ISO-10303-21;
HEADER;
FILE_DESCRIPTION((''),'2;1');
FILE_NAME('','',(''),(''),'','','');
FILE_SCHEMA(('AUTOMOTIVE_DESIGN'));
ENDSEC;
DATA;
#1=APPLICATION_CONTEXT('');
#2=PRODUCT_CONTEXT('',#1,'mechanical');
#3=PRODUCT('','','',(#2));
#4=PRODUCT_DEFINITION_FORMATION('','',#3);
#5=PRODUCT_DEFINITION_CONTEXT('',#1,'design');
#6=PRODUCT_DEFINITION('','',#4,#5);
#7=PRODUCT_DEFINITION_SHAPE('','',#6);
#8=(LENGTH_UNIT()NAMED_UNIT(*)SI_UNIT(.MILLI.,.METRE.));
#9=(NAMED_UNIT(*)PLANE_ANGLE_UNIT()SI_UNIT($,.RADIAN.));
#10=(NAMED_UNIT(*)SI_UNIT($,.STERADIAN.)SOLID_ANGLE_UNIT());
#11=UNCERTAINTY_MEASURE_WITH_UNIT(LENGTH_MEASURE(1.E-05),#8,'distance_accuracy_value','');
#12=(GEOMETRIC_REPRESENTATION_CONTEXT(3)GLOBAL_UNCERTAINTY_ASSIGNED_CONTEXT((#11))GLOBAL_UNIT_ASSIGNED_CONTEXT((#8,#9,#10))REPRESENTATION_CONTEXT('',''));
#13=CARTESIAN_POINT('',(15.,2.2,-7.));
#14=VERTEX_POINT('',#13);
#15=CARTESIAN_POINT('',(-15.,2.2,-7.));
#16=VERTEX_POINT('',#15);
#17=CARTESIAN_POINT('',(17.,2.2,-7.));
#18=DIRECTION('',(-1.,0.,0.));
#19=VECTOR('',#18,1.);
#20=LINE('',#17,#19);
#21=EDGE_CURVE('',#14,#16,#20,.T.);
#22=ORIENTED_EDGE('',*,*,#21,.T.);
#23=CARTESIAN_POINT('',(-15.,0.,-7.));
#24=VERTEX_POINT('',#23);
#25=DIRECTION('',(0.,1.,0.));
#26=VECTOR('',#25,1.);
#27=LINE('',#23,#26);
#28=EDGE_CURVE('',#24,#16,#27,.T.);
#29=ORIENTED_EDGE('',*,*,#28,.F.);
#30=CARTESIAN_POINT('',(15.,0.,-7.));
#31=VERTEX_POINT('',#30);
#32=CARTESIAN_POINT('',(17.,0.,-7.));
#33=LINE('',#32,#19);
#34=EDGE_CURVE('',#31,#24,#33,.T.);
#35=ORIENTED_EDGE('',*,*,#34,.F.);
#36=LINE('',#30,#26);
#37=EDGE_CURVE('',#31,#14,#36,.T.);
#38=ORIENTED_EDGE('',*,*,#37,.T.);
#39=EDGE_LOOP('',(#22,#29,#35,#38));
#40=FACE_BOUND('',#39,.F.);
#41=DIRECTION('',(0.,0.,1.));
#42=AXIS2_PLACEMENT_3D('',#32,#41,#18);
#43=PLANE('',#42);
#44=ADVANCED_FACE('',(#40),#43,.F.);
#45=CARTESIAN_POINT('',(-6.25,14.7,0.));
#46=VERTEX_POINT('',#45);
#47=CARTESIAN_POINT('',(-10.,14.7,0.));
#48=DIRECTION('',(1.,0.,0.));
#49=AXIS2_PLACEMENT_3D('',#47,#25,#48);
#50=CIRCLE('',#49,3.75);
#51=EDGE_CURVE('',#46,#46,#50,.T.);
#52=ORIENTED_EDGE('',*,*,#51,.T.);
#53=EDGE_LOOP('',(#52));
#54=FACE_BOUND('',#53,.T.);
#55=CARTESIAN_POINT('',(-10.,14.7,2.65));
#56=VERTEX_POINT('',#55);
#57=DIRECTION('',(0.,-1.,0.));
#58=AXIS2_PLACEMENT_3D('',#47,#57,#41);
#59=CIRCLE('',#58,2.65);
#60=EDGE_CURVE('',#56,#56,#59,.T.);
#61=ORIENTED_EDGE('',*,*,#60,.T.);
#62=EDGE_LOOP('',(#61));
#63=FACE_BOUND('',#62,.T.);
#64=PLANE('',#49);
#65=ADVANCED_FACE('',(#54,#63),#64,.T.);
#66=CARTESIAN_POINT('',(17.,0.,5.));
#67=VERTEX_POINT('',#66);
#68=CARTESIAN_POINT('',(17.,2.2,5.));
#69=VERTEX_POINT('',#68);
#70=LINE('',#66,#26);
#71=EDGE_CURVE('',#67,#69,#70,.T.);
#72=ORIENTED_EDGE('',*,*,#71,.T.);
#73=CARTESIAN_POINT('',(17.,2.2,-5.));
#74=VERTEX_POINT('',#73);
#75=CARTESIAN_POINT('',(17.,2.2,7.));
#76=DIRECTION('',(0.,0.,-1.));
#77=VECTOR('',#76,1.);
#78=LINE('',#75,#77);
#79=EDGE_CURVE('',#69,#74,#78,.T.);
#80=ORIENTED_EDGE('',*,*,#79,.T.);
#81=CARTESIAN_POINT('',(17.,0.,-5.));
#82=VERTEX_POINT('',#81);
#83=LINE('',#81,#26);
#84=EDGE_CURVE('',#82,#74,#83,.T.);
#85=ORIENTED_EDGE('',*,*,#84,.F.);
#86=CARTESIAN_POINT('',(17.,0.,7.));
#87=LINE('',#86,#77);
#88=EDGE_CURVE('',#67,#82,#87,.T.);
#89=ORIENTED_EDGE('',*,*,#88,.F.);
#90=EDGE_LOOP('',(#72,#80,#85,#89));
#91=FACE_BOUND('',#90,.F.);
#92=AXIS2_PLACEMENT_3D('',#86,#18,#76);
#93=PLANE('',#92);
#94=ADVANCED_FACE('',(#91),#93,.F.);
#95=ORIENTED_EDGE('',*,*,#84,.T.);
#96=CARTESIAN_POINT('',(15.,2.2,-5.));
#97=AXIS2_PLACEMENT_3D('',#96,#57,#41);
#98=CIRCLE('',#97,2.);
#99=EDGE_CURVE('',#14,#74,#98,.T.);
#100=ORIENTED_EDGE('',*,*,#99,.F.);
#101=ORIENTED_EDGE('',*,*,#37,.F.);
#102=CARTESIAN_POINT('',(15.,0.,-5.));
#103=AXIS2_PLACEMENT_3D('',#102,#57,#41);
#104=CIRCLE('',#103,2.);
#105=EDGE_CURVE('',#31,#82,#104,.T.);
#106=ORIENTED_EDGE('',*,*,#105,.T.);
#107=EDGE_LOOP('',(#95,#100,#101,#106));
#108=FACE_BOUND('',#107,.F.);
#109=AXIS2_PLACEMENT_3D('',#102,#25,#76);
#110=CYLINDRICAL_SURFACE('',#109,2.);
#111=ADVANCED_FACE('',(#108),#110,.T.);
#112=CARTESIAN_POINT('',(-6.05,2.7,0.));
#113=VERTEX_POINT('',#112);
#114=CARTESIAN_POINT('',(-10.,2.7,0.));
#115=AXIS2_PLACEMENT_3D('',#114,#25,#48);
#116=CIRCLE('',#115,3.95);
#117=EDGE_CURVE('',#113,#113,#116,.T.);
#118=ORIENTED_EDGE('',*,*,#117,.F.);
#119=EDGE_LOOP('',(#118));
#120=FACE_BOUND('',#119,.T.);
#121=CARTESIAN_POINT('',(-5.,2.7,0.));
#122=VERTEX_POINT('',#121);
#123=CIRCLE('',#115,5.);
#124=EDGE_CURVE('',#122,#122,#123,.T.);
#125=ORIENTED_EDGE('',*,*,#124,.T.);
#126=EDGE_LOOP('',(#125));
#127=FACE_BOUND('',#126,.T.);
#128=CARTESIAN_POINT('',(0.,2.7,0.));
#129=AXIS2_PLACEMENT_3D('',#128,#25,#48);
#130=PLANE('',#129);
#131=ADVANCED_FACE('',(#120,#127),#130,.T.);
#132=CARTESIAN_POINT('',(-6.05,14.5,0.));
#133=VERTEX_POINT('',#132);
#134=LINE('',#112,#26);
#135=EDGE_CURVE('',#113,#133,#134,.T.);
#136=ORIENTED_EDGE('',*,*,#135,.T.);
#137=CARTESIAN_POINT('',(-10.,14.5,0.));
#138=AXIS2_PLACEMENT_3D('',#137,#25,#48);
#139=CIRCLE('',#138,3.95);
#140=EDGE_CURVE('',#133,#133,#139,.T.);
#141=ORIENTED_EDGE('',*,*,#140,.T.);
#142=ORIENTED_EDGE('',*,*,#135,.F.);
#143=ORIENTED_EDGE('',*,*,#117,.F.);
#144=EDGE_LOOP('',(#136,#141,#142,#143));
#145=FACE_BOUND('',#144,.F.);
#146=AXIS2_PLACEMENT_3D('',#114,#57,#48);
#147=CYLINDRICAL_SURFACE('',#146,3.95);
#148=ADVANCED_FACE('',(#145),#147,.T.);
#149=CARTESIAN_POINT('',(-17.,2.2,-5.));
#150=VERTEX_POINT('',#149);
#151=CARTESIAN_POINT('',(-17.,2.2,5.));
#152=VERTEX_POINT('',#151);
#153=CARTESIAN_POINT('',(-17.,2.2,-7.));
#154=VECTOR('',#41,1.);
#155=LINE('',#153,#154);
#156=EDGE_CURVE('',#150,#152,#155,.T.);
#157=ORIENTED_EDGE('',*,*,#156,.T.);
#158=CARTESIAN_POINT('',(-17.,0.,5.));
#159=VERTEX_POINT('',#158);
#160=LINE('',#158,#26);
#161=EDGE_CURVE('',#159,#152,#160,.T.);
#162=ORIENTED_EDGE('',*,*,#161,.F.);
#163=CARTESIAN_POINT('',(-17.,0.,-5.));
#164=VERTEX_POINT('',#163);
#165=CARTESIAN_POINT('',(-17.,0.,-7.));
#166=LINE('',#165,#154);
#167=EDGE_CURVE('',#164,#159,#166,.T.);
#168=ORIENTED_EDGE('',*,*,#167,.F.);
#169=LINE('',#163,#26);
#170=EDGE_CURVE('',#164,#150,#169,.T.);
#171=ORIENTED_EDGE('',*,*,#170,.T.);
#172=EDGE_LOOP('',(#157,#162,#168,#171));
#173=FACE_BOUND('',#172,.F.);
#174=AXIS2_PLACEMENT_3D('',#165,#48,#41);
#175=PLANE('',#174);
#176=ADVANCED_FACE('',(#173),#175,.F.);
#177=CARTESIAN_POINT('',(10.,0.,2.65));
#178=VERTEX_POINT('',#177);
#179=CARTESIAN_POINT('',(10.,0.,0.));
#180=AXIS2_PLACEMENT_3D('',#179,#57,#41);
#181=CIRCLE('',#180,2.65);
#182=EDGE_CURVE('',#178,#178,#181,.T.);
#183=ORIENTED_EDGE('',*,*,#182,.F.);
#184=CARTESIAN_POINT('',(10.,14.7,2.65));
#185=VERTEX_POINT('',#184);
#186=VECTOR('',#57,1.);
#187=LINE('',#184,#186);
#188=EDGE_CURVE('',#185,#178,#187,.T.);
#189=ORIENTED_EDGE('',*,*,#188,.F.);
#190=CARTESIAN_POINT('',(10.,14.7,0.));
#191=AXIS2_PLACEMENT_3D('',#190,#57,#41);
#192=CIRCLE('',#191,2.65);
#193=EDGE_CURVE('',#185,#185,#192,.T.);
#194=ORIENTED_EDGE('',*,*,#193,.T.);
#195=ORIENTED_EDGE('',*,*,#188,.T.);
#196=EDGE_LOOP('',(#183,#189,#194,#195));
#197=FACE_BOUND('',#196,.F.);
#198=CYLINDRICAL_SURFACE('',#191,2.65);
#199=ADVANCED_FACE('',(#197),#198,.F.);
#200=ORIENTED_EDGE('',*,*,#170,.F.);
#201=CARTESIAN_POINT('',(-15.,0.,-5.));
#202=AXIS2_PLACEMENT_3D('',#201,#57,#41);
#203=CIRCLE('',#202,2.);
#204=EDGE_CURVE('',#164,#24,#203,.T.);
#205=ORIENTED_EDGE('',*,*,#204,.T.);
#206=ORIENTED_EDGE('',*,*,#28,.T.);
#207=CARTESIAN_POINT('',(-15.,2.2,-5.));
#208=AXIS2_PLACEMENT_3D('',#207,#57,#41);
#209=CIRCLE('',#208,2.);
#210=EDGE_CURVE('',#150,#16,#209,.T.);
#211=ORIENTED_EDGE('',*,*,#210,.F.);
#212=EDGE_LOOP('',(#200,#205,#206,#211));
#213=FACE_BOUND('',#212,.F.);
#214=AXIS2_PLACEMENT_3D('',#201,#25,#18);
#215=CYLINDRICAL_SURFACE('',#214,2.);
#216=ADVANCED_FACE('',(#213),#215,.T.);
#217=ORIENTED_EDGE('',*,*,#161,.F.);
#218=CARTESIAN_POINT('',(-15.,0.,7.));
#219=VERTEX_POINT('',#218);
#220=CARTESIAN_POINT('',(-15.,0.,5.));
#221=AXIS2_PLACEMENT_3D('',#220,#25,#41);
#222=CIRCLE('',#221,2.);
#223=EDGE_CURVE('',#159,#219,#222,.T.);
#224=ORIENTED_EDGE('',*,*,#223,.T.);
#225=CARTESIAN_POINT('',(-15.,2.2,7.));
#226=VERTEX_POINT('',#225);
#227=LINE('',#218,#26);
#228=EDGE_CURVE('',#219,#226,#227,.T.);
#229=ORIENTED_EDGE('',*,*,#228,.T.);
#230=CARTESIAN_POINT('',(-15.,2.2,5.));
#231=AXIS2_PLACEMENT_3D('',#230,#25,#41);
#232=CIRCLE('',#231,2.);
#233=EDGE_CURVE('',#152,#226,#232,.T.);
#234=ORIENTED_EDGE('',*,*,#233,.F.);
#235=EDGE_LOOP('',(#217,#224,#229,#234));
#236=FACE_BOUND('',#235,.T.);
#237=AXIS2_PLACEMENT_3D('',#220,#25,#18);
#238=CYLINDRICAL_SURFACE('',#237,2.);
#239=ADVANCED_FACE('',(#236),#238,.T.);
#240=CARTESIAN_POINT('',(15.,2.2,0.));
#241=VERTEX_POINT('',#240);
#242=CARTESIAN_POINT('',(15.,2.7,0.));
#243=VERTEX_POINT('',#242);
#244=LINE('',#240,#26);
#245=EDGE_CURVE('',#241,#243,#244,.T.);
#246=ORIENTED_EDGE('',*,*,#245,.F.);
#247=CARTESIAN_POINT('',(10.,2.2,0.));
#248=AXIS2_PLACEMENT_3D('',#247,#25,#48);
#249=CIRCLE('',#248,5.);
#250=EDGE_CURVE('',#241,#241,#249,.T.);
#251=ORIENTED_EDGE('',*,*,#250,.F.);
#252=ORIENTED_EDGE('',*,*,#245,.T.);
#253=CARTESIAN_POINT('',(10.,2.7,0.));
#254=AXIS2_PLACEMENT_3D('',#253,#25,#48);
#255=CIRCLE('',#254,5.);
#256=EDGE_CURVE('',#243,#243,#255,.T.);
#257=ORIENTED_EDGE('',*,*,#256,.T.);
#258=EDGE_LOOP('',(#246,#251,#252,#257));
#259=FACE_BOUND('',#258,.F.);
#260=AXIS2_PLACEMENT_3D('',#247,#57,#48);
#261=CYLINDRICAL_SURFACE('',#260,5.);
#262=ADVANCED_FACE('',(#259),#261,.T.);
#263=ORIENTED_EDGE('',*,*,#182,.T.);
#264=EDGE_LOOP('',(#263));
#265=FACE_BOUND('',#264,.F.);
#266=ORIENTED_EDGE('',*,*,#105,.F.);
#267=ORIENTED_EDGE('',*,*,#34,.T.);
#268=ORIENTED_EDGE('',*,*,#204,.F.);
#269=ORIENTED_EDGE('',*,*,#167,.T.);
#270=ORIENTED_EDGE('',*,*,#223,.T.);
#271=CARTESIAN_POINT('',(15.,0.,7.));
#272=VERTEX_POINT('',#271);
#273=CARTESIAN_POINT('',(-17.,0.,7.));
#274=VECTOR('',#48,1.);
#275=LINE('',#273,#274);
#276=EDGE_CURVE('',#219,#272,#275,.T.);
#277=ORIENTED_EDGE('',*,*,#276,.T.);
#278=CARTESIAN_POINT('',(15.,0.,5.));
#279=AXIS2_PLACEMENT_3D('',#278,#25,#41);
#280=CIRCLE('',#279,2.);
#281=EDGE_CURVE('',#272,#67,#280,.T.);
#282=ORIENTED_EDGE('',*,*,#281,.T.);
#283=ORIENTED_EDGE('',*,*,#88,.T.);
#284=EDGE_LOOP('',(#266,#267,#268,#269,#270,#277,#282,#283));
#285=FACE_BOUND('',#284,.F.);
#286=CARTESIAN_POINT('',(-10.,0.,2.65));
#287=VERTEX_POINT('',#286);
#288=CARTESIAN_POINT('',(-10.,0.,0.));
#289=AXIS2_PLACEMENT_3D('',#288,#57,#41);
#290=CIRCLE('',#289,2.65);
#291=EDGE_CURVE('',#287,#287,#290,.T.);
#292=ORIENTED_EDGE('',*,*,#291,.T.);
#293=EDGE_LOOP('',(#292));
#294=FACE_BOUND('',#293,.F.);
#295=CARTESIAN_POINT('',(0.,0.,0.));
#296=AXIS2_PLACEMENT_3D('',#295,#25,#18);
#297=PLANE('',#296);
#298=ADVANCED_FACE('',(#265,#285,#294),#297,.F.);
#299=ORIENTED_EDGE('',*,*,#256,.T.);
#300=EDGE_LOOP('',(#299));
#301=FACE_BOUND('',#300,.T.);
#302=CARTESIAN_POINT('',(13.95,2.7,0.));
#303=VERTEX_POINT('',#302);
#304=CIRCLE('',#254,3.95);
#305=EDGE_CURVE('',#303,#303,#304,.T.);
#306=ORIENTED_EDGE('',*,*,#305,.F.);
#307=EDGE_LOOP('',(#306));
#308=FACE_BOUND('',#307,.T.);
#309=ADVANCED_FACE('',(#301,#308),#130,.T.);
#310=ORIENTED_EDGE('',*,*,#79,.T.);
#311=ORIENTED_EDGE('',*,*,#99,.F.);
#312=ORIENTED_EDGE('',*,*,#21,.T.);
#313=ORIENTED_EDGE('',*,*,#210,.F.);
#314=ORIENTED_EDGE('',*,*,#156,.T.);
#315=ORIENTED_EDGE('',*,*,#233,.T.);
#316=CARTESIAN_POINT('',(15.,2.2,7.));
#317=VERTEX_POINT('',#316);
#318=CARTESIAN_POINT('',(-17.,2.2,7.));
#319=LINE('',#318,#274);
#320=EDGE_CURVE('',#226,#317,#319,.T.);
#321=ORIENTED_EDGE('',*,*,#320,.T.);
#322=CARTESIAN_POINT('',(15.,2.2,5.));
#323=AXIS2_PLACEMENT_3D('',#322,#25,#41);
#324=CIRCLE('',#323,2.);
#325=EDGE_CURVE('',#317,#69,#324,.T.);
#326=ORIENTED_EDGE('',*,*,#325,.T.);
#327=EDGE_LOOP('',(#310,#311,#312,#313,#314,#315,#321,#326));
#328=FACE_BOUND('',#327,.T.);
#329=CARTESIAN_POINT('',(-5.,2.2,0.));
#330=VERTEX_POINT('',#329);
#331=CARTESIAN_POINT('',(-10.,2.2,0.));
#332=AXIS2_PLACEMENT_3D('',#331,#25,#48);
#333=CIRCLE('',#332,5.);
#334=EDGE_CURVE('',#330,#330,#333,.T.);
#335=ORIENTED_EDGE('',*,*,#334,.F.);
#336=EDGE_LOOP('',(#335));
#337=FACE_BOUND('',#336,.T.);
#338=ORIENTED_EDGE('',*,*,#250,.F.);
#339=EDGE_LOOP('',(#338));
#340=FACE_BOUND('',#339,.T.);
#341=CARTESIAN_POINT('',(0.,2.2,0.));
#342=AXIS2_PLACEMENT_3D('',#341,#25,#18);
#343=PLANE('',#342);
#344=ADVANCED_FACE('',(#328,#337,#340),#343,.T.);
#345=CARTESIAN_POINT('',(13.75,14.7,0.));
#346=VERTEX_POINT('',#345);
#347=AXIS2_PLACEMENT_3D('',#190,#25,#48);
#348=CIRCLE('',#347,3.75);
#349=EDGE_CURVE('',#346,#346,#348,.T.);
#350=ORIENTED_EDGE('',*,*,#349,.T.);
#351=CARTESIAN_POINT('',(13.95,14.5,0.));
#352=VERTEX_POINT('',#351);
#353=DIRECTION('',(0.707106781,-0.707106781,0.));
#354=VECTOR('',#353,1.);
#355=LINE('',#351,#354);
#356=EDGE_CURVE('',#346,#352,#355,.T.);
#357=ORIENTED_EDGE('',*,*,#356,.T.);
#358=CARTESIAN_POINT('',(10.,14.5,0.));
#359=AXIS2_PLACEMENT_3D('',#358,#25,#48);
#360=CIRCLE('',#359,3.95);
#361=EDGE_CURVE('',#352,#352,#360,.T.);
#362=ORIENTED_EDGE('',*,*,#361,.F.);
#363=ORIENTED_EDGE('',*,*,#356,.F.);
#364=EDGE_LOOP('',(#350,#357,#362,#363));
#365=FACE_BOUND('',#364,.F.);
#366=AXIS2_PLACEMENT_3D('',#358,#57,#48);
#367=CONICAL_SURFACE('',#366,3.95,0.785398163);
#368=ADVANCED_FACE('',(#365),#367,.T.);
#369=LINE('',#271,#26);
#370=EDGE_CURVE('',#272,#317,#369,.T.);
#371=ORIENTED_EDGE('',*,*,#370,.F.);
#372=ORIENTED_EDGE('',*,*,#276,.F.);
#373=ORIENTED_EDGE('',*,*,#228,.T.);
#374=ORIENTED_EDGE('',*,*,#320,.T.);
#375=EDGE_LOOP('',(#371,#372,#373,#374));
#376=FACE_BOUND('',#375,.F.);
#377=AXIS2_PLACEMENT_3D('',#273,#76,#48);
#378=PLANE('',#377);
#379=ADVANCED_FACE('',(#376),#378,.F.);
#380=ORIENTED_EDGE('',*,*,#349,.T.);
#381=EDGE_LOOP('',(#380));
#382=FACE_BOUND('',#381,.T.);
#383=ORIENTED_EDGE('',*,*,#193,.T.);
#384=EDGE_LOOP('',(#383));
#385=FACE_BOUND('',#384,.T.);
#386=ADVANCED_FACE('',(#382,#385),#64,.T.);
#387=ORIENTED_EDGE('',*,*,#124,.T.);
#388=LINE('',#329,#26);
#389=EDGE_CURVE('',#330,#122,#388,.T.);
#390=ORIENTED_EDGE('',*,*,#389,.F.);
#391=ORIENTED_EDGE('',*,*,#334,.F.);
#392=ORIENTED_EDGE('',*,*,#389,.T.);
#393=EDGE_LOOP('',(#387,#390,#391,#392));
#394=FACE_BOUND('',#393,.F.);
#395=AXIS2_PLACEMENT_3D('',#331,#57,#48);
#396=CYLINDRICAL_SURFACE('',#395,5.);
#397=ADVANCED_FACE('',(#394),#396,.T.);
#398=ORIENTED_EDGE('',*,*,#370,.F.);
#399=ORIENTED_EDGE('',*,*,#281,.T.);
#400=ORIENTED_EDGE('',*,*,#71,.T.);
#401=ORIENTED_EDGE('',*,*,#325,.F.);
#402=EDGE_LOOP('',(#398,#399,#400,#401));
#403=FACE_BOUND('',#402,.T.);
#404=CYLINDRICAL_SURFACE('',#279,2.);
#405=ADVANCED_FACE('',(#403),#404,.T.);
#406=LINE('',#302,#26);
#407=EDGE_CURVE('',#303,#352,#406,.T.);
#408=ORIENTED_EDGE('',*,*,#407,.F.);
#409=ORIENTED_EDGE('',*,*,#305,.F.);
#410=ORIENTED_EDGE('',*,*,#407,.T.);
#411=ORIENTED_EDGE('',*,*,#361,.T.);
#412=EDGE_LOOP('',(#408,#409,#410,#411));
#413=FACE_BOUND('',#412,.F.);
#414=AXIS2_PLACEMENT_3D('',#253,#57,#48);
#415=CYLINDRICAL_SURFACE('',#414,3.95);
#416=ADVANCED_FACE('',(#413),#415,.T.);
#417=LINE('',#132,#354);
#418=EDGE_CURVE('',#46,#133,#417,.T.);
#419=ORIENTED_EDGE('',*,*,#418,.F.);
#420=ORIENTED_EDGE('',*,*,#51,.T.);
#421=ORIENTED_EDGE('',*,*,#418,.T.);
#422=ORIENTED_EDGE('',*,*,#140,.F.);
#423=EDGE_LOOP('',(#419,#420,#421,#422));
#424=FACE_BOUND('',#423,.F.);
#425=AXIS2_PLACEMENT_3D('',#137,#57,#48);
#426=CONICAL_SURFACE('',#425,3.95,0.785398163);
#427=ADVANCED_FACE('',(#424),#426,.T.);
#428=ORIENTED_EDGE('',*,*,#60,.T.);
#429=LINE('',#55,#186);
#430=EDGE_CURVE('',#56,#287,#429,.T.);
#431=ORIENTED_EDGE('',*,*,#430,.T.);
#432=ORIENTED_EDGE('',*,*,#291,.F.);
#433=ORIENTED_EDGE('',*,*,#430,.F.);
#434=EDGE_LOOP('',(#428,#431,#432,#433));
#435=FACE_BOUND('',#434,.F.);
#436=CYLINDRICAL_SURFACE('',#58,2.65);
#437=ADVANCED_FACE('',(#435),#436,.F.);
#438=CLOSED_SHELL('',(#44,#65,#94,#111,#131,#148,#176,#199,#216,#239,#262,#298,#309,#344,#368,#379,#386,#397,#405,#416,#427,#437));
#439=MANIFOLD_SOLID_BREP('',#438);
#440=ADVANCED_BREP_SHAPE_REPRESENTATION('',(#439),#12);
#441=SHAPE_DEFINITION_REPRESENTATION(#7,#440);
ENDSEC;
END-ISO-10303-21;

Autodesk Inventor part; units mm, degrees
ref_plane "YZ Plane" through (0, 0, 0) normal (1, 0, 0) x (0, 1, 0)
ref_plane "XZ Plane" through (0, 0, 0) normal (0, 1, 0) x (-1, 0, 0)
ref_plane "XY Plane" through (0, 0, 0) normal (0, 0, 1) x (1, 0, 0)
sketch "スケッチ1" plane through (0, 0, 0) normal (0, 1, 0) x (-1, 0, 0)
  line L0 (17, 7) -> (-17, 7)
  line L1 (-17, 7) -> (-17, -7)
  line L2 (-17, -7) -> (17, -7)
  line L3 (17, -7) -> (17, 7)
  line L4 (17, 7) -> (-17, -7) construction
  line L5 (-17, 7) -> (17, -7) construction
  point P0 (0, 0)
  dimension "d0" = 34
  dimension "d1" = 14
extrude "押し出し1" add sketch "スケッチ1" along normal blind 2.2
sketch "スケッチ2" plane through (0, 2.2, 0) normal (0, 1, 0) x (1, 0, 0)
  circle A0 centre (-10, 0) radius 5
  circle A1 centre (10, 0) radius 5
  point P0 (0, 0)
  dimension "d4" = 10
  dimension "d5" = 10
  dimension "d6" = 10
  dimension "d7" = 10
extrude "押し出し2" add sketch "スケッチ2" along normal blind 0.5
sketch "スケッチ3" plane through (-10, 2.7, 0) normal (0, 1, 0) x (1, 0, 0)
  circle A0 centre (0, 0) radius 5 projected
  circle A1 centre (20, 0) radius 5 projected
  circle A2 centre (0, 0) radius 3.95
  circle A3 centre (20, 0) radius 3.95
  point P0 (10, 0)
  dimension "d10" = 7.9
  dimension "d11" = 7.9
extrude "押し出し3" add sketch "スケッチ3" along normal blind 12 contours A2 | A3
sketch "スケッチ5" plane through (-10, 14.7, 0) normal (0, 1, 0) x (1, 0, 0)
  circle A0 centre (0, 0) radius 3.95 projected
  circle A1 centre (20, 0) radius 3.95 projected
  point P0 (10, 0)
hole "穴2" at (10, 14.7, 0) at (-10, 14.7, 0) direction (0, -1, 0) diameter 5.3 end through all clearance for "Socket Head Cap Screw" size "M5" standard "Ansi Metric M Profile"
chamfer "面取り2" distance 0.2 angle 45 2 edges at (-13.95, 14.7, 0) (6.05, 14.7, 0)
fillet "フィレット2" radius 2 4 edges at (17, 1.1, 7) (17, 1.1, -7) (-17, 1.1, 7) (-17, 1.1, -7)
equation "\"d5\" = d4"
equation "\"d10\" = d11"
properties part number "scara-base8" material "ABS プラスチック"
